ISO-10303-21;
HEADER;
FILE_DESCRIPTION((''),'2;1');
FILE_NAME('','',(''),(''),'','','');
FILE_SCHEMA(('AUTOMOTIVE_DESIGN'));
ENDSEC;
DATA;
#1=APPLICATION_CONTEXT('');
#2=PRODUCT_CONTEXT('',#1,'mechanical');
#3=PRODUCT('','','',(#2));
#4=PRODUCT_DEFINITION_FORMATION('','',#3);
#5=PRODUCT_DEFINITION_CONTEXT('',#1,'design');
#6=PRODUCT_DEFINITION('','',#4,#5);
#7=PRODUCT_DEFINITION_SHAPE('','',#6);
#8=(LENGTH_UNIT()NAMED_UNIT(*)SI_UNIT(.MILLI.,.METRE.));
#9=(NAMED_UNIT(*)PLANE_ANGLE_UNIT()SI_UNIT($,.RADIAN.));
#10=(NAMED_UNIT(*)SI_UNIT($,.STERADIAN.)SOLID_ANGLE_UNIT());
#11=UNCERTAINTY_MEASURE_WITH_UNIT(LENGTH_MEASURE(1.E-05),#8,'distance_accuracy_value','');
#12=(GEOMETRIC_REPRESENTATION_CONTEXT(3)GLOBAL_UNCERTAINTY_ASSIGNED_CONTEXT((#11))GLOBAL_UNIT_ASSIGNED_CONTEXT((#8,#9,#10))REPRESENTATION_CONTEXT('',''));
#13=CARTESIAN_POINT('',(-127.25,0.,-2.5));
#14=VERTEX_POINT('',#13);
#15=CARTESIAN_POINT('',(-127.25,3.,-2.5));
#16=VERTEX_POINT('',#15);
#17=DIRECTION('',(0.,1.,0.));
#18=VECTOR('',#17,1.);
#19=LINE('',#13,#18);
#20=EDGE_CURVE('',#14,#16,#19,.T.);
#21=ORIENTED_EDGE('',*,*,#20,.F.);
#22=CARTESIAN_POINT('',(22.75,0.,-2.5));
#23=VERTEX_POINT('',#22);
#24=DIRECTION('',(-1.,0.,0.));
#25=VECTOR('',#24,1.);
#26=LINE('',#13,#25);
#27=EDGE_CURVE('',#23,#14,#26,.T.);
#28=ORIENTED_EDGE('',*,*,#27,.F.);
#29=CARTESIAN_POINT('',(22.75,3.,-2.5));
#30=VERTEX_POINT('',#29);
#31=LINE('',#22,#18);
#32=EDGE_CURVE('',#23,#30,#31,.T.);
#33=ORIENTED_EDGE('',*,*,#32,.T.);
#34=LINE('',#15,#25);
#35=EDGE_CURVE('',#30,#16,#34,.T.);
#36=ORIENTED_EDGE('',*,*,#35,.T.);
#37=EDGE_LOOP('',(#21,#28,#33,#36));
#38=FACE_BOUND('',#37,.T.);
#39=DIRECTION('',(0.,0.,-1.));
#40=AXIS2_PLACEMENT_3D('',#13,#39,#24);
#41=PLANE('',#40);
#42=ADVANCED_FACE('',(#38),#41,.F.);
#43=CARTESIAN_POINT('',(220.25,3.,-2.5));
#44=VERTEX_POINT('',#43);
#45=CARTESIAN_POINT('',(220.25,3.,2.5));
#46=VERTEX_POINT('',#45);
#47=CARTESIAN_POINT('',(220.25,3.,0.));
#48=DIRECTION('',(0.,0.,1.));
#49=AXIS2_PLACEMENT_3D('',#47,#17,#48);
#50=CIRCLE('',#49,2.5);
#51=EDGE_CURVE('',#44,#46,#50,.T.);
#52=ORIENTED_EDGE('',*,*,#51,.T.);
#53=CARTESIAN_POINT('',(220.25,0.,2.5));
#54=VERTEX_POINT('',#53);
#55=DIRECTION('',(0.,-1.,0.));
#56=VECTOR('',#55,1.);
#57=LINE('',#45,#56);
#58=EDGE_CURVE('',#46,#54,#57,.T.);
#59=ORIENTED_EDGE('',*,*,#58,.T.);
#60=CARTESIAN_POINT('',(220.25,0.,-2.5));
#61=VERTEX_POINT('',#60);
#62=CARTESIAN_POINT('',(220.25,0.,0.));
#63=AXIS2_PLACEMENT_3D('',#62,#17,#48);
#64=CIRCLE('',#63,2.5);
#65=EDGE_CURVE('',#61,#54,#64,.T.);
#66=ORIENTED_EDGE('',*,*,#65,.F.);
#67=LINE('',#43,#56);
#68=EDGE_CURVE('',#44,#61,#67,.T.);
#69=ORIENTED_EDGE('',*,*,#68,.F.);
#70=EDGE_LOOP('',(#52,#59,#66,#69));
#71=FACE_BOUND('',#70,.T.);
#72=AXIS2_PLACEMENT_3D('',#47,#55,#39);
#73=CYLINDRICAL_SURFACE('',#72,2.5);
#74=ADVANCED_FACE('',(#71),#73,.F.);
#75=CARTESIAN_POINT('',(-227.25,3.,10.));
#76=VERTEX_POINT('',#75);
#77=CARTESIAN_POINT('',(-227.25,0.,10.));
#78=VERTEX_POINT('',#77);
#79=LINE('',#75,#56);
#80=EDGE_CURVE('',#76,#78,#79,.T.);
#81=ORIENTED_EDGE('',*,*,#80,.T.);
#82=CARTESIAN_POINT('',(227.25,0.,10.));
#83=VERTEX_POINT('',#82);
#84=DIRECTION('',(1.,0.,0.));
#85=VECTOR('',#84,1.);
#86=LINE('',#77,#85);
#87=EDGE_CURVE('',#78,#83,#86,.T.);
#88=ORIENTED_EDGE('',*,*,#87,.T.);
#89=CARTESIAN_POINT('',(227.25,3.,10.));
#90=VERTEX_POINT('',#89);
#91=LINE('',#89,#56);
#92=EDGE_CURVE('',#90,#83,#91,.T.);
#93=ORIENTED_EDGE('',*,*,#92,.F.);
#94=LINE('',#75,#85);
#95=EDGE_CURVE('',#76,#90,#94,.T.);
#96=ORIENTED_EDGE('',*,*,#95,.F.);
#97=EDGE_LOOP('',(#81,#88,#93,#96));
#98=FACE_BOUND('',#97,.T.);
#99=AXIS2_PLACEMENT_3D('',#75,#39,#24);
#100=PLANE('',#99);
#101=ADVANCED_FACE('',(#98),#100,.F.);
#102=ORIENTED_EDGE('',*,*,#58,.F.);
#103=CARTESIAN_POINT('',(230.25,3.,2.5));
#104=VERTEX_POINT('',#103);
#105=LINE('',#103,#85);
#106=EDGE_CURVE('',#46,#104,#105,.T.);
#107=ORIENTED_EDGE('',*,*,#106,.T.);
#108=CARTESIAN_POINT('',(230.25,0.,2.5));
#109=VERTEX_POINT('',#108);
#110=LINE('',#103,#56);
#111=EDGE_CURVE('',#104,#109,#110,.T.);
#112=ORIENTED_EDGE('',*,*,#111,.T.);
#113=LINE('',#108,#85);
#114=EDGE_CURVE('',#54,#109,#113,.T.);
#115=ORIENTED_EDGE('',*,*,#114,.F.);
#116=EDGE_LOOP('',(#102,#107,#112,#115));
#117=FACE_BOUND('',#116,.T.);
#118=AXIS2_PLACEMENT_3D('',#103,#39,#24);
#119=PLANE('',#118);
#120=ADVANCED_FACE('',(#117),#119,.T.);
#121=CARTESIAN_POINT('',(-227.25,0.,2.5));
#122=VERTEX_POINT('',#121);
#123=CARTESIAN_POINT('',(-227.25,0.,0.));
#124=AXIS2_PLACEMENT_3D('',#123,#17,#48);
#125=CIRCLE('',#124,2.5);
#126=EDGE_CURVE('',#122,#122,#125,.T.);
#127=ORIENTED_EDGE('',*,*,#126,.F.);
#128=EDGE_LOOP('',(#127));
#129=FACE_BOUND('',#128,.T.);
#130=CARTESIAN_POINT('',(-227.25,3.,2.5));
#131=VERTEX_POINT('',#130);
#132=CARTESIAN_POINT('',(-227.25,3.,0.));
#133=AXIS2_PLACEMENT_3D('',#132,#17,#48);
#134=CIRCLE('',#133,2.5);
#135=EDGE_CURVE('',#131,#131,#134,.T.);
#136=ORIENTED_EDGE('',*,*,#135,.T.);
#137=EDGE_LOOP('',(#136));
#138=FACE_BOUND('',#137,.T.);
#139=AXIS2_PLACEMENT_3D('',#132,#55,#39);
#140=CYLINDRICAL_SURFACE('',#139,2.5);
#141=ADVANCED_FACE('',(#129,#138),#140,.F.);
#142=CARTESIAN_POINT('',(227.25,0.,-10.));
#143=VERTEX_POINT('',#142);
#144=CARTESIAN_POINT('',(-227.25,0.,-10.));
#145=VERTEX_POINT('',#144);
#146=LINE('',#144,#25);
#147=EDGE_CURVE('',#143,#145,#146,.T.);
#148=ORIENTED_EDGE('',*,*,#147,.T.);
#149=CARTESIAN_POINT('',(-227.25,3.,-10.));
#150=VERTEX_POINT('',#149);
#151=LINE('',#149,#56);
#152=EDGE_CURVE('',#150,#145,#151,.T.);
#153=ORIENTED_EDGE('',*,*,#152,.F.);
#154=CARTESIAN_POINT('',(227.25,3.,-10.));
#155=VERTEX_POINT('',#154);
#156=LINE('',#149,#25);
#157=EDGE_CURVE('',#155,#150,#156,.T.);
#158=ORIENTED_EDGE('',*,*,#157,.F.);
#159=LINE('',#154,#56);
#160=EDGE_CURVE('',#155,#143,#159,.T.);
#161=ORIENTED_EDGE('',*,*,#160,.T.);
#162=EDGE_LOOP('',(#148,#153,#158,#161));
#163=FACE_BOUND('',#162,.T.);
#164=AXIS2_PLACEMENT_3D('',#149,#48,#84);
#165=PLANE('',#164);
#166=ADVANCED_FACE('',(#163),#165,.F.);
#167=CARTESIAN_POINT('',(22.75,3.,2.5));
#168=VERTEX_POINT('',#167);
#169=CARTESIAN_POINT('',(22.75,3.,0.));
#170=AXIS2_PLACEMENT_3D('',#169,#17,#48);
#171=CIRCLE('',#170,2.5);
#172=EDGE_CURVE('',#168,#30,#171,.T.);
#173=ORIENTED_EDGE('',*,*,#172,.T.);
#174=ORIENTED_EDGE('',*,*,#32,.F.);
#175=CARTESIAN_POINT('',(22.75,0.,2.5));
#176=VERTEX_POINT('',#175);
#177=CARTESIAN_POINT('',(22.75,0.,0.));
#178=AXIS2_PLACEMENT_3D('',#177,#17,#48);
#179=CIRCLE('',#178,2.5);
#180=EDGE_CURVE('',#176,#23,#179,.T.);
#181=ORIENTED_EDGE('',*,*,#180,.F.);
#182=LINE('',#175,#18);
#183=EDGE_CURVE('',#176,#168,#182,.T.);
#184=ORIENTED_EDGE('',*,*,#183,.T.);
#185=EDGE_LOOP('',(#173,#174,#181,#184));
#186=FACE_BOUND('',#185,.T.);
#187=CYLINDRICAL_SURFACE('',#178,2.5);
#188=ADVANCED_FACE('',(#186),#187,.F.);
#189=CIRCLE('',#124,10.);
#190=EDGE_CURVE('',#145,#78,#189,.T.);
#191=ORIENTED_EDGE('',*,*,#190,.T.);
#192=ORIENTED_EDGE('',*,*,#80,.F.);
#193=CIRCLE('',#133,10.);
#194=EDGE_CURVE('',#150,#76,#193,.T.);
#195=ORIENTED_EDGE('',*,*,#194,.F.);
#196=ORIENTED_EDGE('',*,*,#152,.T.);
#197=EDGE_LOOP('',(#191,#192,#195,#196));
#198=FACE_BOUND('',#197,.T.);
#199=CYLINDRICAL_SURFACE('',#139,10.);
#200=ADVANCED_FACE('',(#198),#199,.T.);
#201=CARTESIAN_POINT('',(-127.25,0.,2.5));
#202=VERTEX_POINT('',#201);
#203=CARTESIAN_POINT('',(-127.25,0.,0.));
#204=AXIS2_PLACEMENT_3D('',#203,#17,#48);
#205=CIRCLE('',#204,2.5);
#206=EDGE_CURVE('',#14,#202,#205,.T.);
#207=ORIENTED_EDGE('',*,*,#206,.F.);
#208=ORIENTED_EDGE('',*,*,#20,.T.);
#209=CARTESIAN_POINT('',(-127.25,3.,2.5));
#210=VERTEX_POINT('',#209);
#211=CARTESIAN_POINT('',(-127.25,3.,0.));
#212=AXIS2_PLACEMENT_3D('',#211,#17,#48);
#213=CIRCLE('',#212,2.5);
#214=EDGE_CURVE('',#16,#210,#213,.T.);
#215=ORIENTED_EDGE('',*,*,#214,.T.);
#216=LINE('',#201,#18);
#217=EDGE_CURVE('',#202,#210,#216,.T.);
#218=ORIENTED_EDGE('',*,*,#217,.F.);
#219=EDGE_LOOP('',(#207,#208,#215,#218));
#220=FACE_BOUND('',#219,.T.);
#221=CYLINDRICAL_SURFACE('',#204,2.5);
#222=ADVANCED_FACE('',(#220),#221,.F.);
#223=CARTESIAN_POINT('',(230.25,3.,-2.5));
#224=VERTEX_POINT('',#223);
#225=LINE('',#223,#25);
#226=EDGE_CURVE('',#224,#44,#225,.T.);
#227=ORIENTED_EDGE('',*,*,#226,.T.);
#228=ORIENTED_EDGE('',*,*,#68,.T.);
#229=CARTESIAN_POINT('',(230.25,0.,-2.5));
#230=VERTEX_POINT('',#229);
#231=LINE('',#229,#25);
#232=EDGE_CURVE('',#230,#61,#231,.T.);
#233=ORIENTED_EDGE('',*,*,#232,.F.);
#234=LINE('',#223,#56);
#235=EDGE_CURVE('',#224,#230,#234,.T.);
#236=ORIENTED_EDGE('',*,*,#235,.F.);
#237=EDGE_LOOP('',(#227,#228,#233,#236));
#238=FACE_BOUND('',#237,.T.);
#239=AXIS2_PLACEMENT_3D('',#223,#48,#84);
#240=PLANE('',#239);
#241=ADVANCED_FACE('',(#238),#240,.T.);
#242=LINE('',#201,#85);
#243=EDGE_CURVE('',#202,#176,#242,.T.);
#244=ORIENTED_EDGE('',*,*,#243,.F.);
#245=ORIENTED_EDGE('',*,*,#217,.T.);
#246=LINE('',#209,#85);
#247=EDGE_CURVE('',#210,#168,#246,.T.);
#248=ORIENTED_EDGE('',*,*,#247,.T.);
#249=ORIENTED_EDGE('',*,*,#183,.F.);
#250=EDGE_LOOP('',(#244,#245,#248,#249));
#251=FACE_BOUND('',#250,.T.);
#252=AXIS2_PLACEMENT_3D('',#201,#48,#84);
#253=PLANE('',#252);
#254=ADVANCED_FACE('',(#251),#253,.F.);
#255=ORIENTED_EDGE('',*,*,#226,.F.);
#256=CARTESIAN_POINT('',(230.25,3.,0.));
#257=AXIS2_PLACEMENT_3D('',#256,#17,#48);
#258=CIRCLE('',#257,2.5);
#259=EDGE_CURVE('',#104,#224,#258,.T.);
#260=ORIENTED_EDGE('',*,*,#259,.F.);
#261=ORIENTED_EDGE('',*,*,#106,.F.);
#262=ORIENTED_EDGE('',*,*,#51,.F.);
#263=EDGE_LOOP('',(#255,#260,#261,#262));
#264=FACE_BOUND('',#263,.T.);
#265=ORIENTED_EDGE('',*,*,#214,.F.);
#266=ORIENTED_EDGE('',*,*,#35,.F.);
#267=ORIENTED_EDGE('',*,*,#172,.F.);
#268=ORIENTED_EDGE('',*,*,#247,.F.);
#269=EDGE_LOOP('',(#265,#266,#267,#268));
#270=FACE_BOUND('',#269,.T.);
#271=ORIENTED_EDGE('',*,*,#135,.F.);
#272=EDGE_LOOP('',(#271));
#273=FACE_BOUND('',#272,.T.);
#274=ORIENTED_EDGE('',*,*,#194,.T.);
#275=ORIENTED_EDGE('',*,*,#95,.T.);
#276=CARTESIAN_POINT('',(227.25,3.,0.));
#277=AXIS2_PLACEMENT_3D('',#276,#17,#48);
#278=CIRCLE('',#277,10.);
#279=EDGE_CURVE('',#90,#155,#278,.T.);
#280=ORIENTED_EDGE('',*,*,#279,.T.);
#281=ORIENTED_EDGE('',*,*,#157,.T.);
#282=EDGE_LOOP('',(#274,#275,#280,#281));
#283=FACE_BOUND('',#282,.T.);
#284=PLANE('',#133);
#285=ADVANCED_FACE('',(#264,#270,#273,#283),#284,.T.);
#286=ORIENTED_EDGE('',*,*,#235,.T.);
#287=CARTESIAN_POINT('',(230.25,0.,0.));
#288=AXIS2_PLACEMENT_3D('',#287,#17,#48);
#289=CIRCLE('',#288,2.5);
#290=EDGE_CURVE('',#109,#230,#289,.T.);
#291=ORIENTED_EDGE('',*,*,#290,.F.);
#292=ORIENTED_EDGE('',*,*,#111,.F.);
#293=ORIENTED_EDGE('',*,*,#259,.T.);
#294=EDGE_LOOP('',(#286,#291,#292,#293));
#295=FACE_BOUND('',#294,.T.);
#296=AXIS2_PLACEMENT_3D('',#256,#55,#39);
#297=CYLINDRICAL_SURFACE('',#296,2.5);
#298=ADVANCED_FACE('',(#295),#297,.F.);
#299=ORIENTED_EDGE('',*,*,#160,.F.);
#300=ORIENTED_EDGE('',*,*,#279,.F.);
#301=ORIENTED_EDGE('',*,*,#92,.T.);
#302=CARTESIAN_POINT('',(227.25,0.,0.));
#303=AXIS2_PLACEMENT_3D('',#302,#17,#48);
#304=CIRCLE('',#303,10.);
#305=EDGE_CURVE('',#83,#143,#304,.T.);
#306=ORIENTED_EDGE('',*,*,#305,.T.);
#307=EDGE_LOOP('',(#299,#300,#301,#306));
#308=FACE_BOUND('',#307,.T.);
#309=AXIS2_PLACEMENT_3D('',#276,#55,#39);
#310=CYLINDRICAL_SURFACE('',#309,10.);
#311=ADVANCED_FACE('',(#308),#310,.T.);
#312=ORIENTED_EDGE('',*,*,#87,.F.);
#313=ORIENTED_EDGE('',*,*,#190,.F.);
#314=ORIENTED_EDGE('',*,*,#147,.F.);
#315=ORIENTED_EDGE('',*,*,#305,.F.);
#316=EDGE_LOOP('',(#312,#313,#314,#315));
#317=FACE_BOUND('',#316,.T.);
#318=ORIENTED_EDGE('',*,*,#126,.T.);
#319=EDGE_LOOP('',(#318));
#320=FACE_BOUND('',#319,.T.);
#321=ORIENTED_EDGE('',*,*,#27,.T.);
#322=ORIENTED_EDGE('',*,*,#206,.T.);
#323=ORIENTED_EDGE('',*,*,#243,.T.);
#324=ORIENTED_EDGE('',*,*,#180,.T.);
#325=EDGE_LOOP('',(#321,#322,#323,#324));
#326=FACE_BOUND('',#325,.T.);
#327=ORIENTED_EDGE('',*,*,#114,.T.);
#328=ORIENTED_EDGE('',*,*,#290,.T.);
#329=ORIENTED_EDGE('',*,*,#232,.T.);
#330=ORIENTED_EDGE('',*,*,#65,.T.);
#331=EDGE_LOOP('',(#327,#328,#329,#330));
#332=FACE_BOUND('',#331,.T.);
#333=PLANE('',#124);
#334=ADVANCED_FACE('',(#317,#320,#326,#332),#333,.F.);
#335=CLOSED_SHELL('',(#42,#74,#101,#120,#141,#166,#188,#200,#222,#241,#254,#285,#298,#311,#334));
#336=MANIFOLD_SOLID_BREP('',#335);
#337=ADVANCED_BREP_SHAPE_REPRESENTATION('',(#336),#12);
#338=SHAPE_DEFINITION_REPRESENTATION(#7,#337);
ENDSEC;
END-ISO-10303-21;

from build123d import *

# Parameters (mm, degrees)
SKETCH1_R           = 2.5
BOSS_EXTRUDE1_DEPTH = 3
CUT_EXTRUDE1_DEPTH  = 238.479604387


with BuildPart() as part:
    # Sketch1 → Boss-Extrude1 (new body)
    with BuildSketch(Plane(origin=(0, 0, 0), x_dir=(1, 0, 0), z_dir=(0, 1, 0))):
        with BuildLine():
            Line((-227.25, 10), (227.25, 10))
            ThreePointArc((227.25, 10), (237.25, 0), (227.25, -10))
            Line((227.25, -10), (-227.25, -10))
            ThreePointArc((-227.25, -10), (-237.25, 0), (-227.25, 10))
        make_face()
        with Locations(Location((-227.25, 0, 0), (0, 0, 270))):
            Circle(SKETCH1_R, mode=Mode.SUBTRACT)
        with BuildLine():
            Line((230.25, -2.5), (220.25, -2.5))
            ThreePointArc((220.25, -2.5), (217.75, 0), (220.25, 2.5))
            Line((220.25, 2.5), (230.25, 2.5))
            ThreePointArc((230.25, 2.5), (232.75, 0), (230.25, -2.5))
        make_face(mode=Mode.SUBTRACT)
    extrude(amount=BOSS_EXTRUDE1_DEPTH)

    # Sketch2 → Cut-Extrude1 (cut, through all)
    with BuildSketch(Plane(origin=(0, 3, 0), x_dir=(1, 0, 0), z_dir=(0, 1, 0))):
        with BuildLine():
            Line((-127.25, 2.5), (22.75, 2.5))
            ThreePointArc((22.75, 2.5), (25.25, 0), (22.75, -2.5))
            Line((22.75, -2.5), (-127.25, -2.5))
            ThreePointArc((-127.25, -2.5), (-129.75, 0), (-127.25, 2.5))
        make_face()
    extrude(amount=-CUT_EXTRUDE1_DEPTH, mode=Mode.SUBTRACT)


solid = part.part
